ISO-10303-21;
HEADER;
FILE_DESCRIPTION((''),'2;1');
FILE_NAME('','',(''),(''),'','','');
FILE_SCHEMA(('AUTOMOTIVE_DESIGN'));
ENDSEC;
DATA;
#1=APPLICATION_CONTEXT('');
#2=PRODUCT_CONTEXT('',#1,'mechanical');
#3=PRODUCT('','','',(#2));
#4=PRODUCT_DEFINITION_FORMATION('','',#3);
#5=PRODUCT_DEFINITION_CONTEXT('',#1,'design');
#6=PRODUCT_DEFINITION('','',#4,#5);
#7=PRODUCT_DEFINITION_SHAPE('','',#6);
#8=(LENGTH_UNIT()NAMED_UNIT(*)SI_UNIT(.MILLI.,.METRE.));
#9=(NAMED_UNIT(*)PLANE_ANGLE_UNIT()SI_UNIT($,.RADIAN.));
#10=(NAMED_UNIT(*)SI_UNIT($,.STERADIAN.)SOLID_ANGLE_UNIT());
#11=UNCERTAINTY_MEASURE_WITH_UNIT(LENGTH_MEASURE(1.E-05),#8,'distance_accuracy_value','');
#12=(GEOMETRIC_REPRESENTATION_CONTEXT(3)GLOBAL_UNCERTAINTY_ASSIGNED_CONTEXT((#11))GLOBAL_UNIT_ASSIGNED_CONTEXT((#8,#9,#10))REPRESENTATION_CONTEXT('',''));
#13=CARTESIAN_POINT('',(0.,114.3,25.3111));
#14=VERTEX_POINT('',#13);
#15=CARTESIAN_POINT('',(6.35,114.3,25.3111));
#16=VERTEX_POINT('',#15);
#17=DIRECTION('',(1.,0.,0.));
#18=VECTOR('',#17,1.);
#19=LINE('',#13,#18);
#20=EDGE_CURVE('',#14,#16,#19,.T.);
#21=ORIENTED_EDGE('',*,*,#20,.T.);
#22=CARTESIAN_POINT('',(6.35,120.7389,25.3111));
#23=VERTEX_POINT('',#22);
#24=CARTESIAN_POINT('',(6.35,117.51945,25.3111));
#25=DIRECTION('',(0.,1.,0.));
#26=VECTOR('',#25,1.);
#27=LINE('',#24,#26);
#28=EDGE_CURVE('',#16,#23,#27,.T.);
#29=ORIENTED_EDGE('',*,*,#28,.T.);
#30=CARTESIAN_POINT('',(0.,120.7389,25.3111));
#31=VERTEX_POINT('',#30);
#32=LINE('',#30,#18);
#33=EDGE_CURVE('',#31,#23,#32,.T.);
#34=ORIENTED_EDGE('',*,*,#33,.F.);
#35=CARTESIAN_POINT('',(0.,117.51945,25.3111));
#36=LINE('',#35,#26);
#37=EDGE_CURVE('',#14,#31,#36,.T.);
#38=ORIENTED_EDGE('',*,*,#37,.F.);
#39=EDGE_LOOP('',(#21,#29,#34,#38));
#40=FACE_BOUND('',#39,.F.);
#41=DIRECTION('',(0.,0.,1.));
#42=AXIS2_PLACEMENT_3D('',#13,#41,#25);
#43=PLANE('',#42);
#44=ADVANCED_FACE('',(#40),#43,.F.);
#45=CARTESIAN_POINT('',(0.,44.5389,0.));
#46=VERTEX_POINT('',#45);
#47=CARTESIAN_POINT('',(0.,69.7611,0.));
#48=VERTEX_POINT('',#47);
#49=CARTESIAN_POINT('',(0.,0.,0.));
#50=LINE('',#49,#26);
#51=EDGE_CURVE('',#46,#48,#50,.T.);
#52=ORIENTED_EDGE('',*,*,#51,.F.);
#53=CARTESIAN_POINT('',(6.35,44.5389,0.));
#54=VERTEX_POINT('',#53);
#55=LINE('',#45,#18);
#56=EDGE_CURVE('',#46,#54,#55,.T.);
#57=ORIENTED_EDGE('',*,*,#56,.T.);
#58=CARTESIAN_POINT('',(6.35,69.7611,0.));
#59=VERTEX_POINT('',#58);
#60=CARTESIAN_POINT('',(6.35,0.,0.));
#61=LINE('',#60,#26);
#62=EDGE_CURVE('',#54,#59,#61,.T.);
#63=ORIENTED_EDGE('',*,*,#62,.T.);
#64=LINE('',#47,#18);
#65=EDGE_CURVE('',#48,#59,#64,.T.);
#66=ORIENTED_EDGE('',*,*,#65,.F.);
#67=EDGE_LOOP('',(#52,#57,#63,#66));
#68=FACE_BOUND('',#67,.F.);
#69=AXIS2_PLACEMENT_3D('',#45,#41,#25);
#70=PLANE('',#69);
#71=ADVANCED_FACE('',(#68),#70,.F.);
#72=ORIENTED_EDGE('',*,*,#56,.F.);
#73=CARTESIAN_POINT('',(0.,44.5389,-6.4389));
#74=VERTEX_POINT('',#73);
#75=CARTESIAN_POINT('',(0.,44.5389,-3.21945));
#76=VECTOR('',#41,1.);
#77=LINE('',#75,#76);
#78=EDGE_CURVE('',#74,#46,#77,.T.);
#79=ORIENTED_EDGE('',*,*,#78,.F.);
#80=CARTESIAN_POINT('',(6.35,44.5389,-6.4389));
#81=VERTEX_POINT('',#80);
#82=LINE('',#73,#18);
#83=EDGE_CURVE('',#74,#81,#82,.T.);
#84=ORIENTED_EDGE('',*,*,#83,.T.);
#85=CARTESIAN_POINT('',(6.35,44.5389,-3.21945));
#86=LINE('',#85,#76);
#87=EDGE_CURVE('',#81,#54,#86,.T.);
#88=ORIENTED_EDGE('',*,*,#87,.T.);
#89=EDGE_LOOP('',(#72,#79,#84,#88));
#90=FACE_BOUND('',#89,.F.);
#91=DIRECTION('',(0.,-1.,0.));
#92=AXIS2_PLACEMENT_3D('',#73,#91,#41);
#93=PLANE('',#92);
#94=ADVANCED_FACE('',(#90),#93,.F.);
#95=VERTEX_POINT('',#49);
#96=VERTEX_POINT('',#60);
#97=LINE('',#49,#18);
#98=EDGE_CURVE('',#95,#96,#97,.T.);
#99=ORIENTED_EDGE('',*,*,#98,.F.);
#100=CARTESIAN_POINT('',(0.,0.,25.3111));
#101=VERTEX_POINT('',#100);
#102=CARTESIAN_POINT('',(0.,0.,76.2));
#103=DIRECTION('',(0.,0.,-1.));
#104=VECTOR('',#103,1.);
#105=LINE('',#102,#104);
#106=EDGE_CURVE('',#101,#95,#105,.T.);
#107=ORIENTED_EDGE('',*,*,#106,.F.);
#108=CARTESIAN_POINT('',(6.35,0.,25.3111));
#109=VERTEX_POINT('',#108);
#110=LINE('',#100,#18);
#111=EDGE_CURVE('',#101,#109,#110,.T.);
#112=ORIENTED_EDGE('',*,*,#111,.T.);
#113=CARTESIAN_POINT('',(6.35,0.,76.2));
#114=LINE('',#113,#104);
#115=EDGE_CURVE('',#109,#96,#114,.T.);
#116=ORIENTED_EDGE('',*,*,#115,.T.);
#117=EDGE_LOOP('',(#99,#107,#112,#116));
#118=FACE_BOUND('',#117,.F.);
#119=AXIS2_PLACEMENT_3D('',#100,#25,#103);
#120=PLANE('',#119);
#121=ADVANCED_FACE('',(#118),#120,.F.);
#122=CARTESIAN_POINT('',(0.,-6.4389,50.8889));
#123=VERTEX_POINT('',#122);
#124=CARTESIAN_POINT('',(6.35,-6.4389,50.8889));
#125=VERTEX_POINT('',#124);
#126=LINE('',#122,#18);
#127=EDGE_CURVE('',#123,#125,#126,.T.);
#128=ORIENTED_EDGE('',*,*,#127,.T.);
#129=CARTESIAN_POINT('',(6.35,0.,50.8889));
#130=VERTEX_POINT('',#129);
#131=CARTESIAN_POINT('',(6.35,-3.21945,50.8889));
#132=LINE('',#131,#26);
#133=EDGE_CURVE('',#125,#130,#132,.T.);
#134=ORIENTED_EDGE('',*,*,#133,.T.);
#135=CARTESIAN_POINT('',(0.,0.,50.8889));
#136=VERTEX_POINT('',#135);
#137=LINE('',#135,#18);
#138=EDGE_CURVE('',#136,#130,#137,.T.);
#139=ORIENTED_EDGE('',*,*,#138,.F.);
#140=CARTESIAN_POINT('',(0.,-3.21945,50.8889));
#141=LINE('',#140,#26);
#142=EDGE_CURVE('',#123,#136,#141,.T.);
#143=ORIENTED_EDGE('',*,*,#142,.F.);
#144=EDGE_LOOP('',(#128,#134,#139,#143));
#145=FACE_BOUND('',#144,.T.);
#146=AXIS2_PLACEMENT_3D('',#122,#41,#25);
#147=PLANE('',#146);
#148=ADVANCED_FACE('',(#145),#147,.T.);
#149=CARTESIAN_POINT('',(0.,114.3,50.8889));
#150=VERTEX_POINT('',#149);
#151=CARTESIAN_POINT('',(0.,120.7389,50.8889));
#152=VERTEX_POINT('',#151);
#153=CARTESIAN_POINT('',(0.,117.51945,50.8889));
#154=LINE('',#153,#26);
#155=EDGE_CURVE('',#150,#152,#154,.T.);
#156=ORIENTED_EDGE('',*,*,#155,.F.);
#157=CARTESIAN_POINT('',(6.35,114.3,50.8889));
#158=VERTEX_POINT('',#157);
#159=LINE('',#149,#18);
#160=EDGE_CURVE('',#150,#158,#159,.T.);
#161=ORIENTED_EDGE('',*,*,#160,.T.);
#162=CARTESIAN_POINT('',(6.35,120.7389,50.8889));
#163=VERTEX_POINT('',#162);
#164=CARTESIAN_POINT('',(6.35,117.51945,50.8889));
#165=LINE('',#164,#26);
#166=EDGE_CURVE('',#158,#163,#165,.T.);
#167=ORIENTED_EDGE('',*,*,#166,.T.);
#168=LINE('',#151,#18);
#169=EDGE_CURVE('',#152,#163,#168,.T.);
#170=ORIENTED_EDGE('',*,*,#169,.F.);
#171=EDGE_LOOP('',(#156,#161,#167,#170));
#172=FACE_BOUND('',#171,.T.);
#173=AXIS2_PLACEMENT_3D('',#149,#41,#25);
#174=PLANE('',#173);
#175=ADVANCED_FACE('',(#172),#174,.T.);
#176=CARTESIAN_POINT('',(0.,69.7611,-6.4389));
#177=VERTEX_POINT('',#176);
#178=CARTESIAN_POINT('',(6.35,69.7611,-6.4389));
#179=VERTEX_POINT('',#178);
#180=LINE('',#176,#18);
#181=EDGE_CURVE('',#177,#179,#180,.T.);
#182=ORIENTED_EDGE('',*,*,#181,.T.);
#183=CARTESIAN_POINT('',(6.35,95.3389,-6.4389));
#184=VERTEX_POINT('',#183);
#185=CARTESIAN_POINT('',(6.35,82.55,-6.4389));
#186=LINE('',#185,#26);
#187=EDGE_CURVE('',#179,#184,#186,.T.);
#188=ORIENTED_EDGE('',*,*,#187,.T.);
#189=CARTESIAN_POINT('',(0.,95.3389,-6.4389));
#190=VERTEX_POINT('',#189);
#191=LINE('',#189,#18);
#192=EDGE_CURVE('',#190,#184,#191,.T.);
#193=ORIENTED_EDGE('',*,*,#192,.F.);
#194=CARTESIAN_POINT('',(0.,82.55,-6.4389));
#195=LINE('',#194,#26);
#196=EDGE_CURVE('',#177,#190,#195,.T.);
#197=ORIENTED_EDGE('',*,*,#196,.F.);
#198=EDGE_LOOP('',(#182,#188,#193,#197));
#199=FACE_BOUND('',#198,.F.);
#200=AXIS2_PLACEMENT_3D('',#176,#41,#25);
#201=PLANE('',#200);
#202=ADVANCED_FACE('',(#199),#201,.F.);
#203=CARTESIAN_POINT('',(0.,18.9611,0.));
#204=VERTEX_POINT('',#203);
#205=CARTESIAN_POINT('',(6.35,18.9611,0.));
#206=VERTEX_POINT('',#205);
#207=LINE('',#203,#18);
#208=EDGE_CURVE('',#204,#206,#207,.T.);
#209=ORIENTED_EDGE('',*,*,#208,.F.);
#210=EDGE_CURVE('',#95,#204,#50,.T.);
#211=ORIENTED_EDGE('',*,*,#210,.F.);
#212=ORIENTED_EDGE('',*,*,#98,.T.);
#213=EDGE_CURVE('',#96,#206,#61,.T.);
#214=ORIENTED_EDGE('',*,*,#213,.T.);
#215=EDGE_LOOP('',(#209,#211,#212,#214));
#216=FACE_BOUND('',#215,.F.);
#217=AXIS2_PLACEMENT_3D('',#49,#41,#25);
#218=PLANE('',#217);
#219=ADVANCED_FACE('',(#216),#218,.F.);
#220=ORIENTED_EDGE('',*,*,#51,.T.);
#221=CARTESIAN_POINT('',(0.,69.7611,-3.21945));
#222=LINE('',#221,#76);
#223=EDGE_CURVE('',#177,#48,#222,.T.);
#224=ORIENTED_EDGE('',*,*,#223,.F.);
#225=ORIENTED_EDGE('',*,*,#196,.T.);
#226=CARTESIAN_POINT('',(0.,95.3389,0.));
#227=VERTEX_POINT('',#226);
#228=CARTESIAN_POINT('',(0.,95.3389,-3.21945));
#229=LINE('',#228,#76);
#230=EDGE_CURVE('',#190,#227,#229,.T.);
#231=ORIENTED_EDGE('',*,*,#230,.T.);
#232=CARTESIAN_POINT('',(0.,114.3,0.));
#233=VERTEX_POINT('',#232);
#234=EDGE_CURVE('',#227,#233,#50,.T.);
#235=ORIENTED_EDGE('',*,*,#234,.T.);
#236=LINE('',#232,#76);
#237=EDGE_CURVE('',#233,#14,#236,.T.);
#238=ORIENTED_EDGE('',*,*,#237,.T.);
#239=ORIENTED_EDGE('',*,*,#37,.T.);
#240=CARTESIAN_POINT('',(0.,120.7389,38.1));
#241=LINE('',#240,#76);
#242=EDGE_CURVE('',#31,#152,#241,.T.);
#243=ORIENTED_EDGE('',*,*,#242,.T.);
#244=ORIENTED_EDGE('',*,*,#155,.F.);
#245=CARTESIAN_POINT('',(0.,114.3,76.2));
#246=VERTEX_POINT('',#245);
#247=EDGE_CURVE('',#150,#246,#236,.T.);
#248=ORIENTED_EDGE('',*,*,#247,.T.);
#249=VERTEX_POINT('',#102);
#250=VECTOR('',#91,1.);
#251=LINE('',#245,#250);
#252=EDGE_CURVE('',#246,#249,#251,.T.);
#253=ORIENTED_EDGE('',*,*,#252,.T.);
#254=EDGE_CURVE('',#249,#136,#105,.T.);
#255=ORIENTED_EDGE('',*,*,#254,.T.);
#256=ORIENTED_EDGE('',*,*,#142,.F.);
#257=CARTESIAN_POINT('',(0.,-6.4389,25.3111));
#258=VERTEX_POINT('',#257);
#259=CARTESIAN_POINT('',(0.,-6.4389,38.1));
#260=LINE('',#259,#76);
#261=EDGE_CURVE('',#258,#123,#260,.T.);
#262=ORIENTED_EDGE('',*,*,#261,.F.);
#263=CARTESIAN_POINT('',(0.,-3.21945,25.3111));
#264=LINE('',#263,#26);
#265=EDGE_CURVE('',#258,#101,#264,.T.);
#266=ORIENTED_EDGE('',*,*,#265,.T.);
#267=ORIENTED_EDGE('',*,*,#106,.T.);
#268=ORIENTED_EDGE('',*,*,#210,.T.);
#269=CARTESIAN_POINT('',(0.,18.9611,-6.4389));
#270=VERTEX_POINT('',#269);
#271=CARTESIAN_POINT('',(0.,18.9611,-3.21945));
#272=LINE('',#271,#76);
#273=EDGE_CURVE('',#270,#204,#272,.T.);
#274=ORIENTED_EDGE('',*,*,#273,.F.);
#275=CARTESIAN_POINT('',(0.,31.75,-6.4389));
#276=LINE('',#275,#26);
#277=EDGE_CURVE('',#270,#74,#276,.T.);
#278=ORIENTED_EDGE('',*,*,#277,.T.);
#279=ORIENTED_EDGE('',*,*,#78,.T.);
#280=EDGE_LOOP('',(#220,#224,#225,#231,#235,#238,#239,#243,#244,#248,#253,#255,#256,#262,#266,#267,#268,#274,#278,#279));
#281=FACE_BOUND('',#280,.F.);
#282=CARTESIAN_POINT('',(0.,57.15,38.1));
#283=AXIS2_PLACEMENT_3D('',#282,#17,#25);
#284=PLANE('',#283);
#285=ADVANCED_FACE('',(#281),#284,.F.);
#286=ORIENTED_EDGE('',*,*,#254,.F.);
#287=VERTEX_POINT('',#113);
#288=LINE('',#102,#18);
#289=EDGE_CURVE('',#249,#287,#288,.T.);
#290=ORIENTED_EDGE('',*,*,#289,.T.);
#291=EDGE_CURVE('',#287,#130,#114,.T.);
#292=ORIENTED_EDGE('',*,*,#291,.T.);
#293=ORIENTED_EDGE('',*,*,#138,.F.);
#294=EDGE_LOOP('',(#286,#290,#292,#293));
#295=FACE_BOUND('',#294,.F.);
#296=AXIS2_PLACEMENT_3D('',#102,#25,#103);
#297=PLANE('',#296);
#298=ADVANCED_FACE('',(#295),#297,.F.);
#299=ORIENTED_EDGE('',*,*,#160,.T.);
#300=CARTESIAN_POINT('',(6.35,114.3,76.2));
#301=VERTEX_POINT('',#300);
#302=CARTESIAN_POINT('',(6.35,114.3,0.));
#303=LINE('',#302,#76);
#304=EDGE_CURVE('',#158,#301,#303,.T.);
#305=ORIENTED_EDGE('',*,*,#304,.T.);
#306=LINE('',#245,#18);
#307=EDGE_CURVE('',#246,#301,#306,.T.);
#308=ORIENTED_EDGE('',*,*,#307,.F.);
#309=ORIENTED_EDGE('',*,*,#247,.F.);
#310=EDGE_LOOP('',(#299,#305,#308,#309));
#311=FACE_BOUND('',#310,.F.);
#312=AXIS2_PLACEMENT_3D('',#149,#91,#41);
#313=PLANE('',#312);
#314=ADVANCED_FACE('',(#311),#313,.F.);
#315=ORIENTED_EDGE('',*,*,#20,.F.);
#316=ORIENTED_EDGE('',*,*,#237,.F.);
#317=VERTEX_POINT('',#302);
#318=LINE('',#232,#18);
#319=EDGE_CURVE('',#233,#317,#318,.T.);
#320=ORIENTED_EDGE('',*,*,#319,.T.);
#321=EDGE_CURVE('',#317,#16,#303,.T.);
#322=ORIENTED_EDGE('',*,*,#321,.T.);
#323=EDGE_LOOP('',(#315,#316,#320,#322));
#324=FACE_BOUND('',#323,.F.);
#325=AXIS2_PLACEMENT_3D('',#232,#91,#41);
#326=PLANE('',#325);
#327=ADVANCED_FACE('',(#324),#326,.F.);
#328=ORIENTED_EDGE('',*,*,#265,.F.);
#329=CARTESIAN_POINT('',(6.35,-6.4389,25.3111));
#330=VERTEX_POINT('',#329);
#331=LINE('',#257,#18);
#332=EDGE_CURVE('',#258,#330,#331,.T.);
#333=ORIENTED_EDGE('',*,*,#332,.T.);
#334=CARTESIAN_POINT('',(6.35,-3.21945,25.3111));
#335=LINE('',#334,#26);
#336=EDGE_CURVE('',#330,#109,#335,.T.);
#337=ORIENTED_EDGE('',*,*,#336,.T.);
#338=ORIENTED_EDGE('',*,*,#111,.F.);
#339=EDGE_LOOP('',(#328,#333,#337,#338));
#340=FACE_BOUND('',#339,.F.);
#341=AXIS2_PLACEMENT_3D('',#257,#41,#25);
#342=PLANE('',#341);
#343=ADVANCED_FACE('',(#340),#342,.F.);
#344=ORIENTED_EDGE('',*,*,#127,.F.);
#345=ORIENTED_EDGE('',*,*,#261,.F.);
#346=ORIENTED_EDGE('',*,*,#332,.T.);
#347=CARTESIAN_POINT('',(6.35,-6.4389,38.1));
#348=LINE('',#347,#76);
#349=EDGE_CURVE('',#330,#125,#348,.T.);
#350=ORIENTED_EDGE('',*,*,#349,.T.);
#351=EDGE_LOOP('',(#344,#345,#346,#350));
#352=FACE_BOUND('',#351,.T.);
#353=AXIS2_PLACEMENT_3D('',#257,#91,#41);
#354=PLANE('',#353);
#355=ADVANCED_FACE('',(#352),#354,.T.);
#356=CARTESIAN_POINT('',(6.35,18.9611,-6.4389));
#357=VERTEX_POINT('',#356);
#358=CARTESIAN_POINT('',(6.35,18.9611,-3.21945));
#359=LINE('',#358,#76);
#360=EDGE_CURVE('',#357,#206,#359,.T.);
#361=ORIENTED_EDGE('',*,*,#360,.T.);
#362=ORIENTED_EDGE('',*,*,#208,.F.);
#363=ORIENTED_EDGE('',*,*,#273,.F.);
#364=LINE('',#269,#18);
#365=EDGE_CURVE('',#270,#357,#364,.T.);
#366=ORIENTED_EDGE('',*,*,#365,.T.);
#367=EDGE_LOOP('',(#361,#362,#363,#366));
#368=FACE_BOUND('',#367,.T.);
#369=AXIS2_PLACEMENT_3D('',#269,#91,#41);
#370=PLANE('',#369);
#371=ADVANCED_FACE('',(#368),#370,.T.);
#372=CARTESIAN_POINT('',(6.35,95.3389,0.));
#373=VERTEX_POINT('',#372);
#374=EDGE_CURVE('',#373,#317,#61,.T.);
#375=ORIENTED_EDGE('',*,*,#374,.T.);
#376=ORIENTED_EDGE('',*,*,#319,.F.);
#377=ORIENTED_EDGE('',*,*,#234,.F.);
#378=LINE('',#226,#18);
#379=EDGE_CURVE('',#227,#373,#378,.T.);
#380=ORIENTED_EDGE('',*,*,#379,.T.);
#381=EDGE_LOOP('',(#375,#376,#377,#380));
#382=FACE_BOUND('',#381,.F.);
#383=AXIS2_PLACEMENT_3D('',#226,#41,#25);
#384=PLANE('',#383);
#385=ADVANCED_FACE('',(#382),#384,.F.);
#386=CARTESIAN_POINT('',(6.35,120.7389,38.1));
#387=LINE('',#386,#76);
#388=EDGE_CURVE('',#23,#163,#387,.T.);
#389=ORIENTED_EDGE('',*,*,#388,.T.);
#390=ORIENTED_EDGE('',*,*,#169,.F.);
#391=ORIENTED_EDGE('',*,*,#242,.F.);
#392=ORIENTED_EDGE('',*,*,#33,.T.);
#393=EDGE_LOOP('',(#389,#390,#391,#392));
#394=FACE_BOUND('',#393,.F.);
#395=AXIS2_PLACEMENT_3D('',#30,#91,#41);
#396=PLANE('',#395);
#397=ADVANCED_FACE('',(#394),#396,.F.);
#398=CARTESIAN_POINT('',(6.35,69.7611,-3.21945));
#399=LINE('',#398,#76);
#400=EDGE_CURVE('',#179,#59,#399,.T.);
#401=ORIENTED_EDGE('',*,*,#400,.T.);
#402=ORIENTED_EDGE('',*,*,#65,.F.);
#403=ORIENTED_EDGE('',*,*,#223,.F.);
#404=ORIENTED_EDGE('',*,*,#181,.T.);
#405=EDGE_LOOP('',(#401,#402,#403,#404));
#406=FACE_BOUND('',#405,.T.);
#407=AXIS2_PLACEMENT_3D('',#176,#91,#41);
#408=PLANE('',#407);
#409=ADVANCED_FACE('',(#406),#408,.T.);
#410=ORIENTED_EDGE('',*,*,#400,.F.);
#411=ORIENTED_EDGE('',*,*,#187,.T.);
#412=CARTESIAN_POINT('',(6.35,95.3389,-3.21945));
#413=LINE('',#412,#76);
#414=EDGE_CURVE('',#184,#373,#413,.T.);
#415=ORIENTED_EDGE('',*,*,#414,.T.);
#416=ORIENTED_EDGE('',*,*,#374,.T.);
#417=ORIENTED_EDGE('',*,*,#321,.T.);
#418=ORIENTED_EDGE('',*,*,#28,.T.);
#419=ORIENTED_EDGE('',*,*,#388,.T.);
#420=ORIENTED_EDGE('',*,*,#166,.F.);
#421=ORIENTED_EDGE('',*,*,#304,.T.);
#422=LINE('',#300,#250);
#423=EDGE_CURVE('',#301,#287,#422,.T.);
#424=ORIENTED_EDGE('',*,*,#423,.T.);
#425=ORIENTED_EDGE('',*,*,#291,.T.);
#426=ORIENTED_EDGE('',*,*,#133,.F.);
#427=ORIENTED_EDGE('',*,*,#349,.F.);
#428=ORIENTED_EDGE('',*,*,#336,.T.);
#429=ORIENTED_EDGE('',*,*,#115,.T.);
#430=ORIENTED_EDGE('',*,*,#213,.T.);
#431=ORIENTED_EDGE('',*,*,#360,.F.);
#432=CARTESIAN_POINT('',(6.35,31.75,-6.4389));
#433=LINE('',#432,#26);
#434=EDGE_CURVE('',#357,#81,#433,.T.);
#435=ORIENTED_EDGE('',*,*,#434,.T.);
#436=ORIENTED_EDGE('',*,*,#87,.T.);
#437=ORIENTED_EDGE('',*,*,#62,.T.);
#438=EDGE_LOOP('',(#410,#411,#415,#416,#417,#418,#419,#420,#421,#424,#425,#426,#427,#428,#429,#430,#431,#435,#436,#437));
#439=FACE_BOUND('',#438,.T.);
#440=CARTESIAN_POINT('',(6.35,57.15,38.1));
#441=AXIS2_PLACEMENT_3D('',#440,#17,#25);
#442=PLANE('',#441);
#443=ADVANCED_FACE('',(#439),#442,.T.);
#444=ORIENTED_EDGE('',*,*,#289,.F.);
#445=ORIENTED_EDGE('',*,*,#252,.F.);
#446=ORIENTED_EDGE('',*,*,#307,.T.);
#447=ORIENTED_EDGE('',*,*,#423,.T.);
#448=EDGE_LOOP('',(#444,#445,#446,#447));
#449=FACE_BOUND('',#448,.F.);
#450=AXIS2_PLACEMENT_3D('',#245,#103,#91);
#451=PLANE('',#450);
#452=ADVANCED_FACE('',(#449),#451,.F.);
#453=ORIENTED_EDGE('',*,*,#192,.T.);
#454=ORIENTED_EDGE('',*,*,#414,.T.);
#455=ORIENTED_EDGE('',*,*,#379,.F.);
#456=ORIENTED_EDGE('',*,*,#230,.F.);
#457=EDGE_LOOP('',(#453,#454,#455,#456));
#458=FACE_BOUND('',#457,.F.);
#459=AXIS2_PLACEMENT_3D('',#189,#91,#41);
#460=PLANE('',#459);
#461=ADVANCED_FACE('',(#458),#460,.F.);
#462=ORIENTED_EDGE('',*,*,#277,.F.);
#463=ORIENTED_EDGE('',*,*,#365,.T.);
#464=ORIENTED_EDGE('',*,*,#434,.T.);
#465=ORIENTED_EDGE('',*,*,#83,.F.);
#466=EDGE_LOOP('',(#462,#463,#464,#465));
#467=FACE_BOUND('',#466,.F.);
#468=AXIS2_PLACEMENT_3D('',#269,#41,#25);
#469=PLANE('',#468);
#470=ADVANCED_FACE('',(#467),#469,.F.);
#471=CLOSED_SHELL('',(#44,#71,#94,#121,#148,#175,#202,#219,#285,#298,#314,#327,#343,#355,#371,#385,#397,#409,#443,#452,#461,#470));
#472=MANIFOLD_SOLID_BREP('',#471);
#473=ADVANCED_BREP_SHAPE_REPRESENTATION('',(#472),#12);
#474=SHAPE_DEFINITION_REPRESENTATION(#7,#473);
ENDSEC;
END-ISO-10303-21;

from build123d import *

# Parameters (mm, degrees)
F0_W     = 6.4389
F0_H     = 25.5778
F0_W_2   = 25.5778
F0_H_2   = 6.4389
F1_DEPTH = 6.35


with BuildPart() as f1:
    # F0 (on Right) → F1 (new body)
    with BuildSketch(Plane.YZ):
        Polygon((0, 25.3111), (0, 0), (18.9611, 0), (44.5389, 0), (69.7611, 0), (95.3389, 0), (114.3, 0), (114.3, 25.3111), (114.3, 50.8889), (114.3, 76.2), (0, 76.2), (0, 50.8889), align=None)
        with Locations((-3.21945, 38.1)):
            Rectangle(F0_W, F0_H)
        with Locations((31.75, -3.21945)):
            Rectangle(F0_W_2, F0_H_2)
        with Locations((82.55, -3.21945)):
            Rectangle(F0_W_2, F0_H_2)
        with Locations((117.51945, 38.1)):
            Rectangle(F0_W, F0_H)
    extrude(amount=F1_DEPTH)


solid = f1.part
